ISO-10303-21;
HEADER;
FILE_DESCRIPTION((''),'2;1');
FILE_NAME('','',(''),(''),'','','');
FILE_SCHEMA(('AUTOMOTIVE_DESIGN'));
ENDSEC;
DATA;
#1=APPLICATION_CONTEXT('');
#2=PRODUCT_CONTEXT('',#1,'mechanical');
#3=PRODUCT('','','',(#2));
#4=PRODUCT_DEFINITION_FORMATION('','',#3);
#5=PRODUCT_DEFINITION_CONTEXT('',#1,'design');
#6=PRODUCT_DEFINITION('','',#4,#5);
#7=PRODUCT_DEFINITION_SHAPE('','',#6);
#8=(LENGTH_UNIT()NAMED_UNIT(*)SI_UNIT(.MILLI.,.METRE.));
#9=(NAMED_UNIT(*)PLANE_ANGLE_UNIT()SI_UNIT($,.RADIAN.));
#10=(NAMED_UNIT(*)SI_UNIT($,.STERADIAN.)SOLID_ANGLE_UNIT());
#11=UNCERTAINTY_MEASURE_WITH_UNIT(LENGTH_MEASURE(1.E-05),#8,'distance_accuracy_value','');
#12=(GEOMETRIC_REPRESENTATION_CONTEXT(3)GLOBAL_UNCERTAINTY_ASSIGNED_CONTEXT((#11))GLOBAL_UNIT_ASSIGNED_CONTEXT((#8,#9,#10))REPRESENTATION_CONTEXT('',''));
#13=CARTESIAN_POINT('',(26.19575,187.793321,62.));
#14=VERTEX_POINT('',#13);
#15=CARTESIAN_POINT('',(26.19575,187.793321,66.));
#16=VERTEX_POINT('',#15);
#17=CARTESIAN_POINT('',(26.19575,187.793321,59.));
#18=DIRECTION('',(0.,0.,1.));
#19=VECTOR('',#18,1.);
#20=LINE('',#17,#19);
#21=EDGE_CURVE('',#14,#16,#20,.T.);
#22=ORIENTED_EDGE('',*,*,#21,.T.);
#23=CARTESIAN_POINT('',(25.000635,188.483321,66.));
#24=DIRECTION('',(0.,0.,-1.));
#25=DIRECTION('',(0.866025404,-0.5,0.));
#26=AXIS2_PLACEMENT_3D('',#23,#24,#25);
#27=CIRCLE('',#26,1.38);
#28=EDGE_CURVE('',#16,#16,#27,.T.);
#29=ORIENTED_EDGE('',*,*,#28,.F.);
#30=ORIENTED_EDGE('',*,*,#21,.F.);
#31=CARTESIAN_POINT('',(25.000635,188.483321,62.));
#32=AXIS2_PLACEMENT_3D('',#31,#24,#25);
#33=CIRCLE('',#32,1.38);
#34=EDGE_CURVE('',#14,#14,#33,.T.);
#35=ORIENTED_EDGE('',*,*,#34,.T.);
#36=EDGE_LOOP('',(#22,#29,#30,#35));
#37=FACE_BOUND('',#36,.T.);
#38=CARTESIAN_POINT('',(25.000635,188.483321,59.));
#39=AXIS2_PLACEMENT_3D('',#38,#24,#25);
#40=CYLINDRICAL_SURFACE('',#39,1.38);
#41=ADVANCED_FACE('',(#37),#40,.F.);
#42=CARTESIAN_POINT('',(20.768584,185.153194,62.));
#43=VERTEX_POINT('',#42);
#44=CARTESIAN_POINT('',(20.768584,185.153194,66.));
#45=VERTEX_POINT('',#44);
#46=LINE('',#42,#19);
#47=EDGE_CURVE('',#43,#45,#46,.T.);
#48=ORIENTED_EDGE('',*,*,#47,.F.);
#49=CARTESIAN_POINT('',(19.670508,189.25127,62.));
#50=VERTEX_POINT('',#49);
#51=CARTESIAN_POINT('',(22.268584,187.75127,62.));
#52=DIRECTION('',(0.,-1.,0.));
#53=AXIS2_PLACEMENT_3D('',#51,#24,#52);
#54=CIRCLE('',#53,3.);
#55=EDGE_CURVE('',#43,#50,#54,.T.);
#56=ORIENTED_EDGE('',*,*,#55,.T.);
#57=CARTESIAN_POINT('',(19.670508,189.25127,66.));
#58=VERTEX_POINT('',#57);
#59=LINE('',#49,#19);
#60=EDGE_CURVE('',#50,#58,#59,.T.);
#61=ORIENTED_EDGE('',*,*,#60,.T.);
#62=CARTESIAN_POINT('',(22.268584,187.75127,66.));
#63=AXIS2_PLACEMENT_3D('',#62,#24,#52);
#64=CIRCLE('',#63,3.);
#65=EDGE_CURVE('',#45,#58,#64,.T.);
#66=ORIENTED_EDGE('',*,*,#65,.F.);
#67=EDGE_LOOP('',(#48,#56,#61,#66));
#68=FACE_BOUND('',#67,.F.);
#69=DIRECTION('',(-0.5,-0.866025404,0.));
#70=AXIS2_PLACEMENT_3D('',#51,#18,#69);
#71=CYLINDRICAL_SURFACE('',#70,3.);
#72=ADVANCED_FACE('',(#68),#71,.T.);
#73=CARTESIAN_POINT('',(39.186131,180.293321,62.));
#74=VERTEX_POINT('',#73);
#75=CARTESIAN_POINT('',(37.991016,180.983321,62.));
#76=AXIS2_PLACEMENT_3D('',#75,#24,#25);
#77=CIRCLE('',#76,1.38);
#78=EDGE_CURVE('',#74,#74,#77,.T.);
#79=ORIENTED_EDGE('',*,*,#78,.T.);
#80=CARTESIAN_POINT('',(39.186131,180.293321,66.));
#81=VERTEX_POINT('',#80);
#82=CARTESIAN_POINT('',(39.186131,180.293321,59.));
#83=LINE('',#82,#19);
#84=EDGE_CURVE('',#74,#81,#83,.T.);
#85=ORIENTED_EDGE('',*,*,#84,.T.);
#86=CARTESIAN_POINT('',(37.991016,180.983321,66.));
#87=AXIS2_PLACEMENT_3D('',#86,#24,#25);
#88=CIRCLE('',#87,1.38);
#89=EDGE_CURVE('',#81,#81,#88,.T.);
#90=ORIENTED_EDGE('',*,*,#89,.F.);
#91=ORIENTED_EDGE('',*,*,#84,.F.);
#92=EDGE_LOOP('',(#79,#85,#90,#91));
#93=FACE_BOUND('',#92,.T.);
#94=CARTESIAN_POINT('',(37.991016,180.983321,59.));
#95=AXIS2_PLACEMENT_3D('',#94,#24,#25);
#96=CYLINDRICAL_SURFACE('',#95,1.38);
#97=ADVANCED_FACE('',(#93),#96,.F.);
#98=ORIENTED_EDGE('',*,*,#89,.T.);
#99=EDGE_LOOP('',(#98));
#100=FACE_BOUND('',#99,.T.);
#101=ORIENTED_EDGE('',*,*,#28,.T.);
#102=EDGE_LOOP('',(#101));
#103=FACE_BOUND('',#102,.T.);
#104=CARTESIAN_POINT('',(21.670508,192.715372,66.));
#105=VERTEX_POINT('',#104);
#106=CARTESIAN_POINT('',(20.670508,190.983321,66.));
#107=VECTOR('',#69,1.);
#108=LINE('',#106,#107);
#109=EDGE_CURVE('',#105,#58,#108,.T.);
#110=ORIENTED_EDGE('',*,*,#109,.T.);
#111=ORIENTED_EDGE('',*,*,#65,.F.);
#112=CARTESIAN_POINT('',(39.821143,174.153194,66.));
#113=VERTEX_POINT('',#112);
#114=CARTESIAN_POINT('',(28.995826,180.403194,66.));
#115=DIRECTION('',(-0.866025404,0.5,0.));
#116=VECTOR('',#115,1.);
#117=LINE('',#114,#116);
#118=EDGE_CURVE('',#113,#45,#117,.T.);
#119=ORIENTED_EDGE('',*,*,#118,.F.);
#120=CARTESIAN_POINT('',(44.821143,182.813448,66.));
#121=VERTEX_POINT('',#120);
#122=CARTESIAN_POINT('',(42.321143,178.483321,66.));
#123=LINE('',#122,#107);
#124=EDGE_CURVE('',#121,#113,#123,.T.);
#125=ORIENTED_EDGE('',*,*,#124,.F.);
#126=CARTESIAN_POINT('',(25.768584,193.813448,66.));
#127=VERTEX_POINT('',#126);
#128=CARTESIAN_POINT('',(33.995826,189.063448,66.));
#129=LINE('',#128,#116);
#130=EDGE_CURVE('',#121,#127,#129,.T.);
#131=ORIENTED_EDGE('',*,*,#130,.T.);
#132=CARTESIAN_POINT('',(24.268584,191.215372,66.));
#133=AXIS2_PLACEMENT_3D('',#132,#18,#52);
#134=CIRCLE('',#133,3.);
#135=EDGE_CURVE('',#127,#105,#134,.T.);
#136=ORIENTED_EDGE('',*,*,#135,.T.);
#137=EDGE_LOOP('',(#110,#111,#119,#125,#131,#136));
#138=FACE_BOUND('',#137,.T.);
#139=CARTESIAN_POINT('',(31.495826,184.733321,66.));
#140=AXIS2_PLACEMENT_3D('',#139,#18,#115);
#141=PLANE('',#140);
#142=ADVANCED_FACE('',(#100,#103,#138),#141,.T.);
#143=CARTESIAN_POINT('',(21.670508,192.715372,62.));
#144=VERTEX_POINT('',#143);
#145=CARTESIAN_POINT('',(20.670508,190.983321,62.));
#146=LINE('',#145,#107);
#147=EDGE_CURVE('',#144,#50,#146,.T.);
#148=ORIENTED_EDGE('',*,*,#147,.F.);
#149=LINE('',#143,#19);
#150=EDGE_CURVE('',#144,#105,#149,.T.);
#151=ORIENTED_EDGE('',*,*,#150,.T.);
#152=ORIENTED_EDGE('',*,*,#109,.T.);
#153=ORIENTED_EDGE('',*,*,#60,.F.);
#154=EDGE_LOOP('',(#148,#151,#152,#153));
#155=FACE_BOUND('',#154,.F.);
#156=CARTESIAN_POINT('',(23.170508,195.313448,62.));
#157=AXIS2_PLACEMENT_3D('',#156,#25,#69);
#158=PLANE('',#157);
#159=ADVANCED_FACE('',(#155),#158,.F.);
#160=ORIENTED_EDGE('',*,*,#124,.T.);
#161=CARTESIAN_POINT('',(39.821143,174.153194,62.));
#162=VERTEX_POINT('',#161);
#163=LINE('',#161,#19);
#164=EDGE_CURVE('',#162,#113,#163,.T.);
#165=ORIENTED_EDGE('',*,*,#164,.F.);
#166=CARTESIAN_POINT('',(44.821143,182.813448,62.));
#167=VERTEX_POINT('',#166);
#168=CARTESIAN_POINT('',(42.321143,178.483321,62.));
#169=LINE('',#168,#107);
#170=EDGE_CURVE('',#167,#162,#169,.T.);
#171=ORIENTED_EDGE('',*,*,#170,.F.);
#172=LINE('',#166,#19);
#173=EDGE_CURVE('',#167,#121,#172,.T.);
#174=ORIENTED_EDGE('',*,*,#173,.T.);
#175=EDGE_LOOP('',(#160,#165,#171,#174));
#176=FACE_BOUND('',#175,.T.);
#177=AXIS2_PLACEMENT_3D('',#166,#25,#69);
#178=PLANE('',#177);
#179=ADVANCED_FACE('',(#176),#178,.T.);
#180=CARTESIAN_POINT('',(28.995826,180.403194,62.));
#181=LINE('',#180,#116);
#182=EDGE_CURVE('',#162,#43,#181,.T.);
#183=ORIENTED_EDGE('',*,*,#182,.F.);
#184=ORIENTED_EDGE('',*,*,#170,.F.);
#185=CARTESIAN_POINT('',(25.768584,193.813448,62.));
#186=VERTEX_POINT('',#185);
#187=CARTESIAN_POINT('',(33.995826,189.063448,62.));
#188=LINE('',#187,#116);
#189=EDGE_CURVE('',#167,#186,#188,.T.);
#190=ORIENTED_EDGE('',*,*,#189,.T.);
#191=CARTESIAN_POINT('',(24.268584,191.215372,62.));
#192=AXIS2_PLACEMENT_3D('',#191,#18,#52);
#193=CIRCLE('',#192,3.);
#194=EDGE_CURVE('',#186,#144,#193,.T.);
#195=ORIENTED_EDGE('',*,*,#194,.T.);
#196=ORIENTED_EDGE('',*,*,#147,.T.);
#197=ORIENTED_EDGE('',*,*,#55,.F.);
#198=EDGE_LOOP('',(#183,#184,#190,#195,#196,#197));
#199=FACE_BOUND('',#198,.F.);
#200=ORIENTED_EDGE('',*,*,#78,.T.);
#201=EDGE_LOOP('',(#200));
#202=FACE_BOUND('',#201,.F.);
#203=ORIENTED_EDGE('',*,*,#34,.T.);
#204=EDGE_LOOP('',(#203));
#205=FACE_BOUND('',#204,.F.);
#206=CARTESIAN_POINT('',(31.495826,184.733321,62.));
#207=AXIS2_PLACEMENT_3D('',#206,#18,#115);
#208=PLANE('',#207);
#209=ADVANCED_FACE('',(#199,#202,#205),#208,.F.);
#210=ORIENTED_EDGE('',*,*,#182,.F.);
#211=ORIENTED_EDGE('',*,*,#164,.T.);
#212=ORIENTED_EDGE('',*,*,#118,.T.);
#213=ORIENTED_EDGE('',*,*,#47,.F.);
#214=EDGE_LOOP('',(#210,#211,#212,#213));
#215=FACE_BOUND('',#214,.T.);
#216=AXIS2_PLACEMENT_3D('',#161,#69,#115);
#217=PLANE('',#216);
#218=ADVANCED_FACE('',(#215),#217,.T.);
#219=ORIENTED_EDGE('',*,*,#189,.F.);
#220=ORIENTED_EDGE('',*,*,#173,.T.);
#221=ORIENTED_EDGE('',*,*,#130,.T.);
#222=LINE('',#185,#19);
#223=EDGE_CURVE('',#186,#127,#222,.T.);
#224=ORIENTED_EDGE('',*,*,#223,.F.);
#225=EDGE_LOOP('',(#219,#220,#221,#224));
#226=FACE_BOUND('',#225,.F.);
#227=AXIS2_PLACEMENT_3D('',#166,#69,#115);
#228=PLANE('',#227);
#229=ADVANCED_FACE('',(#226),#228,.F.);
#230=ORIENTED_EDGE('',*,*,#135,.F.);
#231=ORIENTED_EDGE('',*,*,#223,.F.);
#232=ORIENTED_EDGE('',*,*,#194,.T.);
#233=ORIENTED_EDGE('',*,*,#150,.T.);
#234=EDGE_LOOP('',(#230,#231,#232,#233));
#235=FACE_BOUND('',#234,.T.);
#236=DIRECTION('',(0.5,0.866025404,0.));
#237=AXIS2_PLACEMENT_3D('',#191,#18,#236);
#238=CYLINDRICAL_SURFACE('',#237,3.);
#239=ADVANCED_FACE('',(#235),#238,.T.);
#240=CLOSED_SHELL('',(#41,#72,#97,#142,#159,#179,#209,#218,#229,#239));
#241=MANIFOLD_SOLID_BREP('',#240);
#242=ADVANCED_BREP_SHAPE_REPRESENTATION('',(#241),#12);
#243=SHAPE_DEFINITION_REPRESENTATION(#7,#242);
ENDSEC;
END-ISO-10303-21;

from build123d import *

# Parameters (mm, degrees)
CYLINDER063_R          = 1.38
CYLINDER063_DEPTH      = 10
CYLINDER062_R          = 1.38
CYLINDER062_DEPTH      = 10
BOX037_W               = 25
BOX037_H               = 10
BOX037_DEPTH           = 4
CUT035_PLACEMENT_ANGLE = 30
FILLET003_R            = 3


with BuildPart() as cylinder063:
    # Cylinder063 → Cylinder063 (new body)
    with BuildSketch(Plane(origin=(25, 52, 59), x_dir=(1, 0, 0), z_dir=(0, 0, 1))):
        Circle(CYLINDER063_R)
    extrude(amount=CYLINDER063_DEPTH)


with BuildPart() as cylinder062:
    # Cylinder062 → Cylinder062 (new body)
    with BuildSketch(Plane(origin=(40, 52, 59), x_dir=(1, 0, 0), z_dir=(0, 0, 1))):
        Circle(CYLINDER062_R)
    extrude(amount=CYLINDER062_DEPTH)


with BuildPart() as fillet003:
    # Box037 → Box037 (new body)
    with BuildSketch(Plane(origin=(45, 57, 62), x_dir=(-1, 0, 0), z_dir=(0, 0, 1))):
        with Locations((12.5, 5)):
            Rectangle(BOX037_W, BOX037_H)
    extrude(amount=BOX037_DEPTH)

    # Cut034: cut Cylinder062
    add(cylinder062.part, mode=Mode.SUBTRACT)

    # Cut035: cut Cylinder063
    add(cylinder063.part, mode=Mode.SUBTRACT)


with BuildPart() as fillet003_1:
    # Cut035 placement: moved
    add(fillet003.part.moved(Location((-20.65, 26.95, 0))).rotate(Axis((-20.65, 26.95, 0), (0, 0, -1)), CUT035_PLACEMENT_ANGLE))

    # Fillet003
    fillet003_edges = [fillet003_1.edges().sort_by_distance(p)[0] for p in [
        (25.170508, 66.313448, 64),
        (20.170508, 57.653194, 64),
    ]]
    fillet(fillet003_edges, radius=FILLET003_R)


with BuildPart() as fillet003_2:
    # Fillet003 placement: moved
    add(fillet003_1.part.moved(Location((-2, 129, 0))))


solid = fillet003_2.part
